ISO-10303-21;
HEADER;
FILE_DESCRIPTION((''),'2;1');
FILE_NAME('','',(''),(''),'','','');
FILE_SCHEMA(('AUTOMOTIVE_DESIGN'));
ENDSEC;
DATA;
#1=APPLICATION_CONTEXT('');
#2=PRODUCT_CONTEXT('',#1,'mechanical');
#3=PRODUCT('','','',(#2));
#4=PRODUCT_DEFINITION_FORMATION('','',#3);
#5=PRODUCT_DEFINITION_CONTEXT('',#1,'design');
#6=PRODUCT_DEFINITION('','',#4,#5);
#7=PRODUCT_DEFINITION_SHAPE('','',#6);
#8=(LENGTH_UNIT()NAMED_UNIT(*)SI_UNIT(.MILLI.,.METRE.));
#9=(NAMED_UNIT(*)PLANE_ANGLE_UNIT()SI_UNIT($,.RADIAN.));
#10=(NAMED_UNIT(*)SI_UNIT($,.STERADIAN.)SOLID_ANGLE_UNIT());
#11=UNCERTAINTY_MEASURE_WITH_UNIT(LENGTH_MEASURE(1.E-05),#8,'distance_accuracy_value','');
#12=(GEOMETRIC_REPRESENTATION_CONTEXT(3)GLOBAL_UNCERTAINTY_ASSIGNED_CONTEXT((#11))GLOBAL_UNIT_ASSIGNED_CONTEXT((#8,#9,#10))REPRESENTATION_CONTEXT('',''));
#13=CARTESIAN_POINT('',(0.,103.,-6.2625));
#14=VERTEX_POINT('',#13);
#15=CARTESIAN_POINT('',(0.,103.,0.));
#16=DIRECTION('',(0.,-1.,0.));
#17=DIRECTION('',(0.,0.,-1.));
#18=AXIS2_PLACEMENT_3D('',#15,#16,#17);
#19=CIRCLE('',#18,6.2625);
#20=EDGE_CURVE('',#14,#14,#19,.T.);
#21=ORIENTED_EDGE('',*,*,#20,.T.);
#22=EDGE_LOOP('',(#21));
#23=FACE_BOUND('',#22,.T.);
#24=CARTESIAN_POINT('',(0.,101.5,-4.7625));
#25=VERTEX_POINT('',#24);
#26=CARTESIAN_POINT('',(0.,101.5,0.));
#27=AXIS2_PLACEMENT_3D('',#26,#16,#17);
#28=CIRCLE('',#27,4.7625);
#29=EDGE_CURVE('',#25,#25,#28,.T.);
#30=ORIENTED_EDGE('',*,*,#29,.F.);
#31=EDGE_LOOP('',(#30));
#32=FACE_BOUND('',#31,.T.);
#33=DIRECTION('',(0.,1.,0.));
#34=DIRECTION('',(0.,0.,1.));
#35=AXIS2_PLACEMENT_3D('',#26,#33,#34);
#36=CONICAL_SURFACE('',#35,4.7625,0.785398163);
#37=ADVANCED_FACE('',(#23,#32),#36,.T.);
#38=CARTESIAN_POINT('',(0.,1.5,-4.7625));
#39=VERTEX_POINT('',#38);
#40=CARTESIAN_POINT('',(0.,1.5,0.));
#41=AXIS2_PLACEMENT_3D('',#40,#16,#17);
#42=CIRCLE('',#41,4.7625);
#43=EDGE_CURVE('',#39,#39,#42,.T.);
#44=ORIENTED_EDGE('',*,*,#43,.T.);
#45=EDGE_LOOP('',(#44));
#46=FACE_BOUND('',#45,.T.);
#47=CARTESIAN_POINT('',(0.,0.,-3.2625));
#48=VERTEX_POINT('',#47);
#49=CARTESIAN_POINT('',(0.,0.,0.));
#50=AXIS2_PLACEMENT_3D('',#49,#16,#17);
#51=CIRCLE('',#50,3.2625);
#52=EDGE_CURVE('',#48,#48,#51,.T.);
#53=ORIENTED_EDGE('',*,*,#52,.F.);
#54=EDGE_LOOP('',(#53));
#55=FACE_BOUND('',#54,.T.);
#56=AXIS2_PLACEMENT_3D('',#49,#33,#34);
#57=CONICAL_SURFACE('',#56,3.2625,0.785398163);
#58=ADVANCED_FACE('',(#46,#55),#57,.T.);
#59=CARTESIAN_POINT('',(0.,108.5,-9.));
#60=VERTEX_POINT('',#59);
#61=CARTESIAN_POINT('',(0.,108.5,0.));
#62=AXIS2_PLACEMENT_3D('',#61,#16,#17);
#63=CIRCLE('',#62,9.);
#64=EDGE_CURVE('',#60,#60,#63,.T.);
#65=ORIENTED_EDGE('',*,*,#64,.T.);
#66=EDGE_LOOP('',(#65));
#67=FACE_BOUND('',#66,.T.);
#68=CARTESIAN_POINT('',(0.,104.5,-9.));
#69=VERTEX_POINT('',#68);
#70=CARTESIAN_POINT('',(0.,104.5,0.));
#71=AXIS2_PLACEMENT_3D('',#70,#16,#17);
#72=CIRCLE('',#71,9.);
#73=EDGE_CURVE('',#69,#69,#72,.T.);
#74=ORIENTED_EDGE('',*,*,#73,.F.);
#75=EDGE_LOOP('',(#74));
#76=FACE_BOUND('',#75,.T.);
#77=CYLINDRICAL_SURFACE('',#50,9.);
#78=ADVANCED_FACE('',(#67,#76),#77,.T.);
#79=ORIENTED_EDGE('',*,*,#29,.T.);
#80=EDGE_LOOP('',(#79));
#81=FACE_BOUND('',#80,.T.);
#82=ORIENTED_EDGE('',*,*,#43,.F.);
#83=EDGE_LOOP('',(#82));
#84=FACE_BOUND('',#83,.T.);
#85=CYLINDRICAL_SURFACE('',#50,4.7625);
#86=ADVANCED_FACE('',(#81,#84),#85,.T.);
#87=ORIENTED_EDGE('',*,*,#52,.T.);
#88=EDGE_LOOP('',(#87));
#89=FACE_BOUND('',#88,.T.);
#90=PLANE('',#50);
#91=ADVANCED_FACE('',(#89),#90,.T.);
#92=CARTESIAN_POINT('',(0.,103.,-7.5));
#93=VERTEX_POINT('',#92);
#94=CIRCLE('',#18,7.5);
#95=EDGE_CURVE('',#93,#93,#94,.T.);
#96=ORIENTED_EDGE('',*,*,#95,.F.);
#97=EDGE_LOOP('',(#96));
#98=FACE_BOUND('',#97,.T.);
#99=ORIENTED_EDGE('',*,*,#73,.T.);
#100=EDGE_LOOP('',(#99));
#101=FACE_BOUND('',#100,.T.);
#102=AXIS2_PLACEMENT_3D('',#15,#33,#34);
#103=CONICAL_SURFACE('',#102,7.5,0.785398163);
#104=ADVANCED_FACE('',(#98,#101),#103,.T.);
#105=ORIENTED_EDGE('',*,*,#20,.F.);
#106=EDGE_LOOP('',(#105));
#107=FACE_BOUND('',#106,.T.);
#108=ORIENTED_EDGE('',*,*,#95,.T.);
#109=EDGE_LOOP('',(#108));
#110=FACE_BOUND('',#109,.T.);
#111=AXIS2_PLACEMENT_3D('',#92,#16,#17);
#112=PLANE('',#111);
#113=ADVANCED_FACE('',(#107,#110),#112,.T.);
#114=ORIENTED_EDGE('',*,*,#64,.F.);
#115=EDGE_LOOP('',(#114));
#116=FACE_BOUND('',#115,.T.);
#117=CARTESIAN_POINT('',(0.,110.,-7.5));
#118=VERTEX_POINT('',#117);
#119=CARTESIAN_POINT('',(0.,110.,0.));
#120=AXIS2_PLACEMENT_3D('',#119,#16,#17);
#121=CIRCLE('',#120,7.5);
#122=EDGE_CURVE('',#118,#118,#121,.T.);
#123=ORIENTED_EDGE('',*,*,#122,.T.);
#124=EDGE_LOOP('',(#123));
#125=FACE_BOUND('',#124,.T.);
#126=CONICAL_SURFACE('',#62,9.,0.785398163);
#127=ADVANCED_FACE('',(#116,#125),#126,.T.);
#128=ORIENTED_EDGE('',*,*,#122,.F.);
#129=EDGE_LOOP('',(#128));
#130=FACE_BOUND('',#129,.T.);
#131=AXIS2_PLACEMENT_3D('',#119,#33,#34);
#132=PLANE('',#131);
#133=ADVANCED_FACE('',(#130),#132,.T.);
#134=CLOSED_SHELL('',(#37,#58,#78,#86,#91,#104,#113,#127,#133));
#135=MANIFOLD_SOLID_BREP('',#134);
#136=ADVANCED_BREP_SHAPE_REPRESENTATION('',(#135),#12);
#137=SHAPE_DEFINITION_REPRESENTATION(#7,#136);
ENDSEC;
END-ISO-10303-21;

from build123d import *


with BuildPart() as part:
    # Sketch1 → Revolve1 (revolve)
    with BuildSketch(Plane(origin=(0, 0, 0), x_dir=(0, 0, -1), z_dir=(1, 0, 0))):
        Polygon((0, 0), (3.2625, 0), (4.7625, 1.5), (4.7625, 101.5), (6.2625, 103), (7.5, 103), (9, 104.5), (9, 108.5), (7.5, 110), (0, 110), align=None)
    revolve(axis=Axis((0, 0, 0), (0, 1, 0)))


solid = part.part
